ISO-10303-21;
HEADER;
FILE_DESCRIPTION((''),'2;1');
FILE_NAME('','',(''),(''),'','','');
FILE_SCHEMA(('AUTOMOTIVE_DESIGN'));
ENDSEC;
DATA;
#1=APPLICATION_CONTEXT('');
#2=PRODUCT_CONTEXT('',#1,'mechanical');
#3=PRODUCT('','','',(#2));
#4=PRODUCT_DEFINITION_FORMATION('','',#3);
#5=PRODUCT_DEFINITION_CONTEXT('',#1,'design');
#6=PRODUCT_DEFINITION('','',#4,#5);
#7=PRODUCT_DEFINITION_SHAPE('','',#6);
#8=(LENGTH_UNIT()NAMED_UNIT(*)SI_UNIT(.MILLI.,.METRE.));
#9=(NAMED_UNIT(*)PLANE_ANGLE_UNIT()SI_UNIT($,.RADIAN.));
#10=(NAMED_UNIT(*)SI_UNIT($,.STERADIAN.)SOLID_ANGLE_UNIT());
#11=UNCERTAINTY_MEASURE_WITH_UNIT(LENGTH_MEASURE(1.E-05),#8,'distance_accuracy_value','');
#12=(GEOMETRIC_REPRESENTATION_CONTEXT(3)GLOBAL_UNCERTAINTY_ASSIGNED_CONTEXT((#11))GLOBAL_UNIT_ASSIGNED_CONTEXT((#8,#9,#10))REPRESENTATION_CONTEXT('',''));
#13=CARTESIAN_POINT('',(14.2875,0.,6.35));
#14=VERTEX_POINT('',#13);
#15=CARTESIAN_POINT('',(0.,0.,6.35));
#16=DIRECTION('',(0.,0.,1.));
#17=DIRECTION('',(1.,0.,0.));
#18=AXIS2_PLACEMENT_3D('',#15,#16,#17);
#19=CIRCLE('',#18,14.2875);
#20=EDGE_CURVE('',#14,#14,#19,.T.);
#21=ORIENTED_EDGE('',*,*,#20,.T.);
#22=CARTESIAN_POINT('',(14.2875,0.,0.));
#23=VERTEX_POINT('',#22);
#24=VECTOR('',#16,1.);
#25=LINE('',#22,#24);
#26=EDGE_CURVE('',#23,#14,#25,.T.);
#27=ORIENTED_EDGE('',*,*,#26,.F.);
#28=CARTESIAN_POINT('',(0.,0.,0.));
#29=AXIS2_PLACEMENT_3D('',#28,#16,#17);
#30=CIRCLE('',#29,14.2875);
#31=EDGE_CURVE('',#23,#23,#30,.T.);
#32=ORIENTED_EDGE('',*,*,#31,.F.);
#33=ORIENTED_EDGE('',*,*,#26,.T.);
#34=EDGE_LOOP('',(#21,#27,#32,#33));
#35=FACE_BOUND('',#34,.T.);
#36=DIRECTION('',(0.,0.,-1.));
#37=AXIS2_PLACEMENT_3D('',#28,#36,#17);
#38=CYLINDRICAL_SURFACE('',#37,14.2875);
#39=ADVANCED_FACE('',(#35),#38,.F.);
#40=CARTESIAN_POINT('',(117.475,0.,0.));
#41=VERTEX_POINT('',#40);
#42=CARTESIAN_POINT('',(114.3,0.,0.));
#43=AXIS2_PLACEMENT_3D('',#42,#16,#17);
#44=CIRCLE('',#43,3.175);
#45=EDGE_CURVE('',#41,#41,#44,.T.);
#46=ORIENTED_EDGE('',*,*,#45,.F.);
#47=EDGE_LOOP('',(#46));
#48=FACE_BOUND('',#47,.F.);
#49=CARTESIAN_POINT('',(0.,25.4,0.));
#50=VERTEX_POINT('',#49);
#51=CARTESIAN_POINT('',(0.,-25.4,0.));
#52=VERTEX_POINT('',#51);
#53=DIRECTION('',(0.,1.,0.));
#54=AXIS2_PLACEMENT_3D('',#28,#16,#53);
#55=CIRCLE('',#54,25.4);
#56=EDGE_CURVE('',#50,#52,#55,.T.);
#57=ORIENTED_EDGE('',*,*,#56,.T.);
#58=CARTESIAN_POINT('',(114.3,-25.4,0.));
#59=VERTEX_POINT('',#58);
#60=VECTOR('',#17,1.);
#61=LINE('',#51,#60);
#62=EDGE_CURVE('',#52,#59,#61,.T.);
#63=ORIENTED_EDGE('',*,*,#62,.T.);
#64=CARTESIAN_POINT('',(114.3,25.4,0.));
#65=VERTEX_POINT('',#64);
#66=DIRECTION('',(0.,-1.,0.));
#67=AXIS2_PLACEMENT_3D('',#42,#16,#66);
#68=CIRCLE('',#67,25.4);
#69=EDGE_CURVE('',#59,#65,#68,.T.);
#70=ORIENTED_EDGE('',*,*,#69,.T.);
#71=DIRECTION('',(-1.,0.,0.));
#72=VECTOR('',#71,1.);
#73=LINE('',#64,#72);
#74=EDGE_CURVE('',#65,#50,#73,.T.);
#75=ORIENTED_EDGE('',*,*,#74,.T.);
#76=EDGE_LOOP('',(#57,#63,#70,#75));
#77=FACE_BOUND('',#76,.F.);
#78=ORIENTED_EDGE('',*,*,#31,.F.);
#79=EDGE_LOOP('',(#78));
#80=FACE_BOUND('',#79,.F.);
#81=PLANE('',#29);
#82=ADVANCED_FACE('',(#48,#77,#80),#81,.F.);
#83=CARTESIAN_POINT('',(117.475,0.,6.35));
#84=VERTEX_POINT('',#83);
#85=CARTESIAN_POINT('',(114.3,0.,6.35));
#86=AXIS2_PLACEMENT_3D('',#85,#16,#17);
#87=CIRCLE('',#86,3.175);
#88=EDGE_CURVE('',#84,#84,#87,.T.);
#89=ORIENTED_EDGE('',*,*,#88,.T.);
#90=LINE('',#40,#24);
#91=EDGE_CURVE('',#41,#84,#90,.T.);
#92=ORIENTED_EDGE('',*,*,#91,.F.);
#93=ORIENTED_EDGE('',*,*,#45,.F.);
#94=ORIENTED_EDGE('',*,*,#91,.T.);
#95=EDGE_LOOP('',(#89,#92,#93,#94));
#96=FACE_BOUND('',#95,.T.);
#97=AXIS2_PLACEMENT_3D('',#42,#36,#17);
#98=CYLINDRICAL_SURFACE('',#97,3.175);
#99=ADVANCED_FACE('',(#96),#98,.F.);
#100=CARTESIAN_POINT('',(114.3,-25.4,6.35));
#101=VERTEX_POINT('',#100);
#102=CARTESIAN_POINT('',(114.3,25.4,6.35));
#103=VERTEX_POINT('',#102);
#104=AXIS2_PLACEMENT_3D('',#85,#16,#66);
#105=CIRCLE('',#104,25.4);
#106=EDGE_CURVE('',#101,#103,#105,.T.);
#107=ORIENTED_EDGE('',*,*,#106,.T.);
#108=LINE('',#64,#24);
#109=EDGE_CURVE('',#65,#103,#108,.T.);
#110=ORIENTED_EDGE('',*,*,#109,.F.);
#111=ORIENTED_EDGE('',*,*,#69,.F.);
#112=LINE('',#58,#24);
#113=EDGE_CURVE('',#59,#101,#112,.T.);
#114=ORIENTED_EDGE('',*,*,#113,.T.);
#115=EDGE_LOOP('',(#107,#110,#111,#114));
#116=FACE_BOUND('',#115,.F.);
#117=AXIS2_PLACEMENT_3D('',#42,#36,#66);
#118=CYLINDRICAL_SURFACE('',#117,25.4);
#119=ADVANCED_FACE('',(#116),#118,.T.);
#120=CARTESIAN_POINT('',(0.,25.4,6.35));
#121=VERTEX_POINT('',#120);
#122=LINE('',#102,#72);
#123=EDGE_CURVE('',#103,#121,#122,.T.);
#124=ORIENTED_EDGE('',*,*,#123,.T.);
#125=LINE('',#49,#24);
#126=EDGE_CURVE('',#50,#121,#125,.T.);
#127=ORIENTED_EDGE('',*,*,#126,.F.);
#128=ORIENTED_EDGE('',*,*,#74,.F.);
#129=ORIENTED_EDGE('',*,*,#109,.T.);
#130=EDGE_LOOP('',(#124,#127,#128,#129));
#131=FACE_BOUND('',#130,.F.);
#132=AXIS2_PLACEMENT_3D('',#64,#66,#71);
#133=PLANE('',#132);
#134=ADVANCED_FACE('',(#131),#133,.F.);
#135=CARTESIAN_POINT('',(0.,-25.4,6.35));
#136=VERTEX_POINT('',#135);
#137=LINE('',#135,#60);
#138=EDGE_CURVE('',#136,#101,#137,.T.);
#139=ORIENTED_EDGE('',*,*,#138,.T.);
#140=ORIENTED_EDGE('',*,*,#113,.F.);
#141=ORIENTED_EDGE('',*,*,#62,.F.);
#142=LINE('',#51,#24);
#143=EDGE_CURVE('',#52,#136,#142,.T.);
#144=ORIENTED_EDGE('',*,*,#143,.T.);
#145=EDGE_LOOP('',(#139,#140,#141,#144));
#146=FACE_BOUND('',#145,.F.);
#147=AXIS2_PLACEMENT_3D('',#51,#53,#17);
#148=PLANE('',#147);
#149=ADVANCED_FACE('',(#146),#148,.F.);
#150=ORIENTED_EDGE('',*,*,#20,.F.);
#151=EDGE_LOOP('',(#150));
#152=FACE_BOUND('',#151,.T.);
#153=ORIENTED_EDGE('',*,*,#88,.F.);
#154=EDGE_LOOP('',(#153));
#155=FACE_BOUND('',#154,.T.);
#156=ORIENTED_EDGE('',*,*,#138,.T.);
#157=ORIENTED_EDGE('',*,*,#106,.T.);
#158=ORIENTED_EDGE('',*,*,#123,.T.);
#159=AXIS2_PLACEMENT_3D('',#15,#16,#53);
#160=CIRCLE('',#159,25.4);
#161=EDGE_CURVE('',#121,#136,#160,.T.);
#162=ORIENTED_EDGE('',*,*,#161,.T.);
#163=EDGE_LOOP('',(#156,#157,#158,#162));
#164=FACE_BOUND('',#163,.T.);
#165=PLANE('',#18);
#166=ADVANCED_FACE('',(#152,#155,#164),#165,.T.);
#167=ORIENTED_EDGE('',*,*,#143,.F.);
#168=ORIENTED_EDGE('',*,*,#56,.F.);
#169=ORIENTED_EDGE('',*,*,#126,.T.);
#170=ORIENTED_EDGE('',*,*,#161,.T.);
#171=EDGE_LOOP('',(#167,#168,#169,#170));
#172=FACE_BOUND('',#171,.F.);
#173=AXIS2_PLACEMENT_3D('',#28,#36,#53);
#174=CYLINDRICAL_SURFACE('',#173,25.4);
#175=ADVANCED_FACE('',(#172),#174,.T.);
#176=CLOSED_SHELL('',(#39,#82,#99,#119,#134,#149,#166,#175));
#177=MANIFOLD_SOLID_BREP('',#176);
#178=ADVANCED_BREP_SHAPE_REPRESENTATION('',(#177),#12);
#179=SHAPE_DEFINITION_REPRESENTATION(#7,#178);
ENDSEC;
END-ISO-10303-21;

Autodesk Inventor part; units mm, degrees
ref_plane "YZ Plane" through (0, 0, 0) normal (1, 0, 0) x (0, 1, 0)
ref_plane "XZ Plane" through (0, 0, 0) normal (0, 1, 0) x (-1, 0, 0)
ref_plane "XY Plane" through (0, 0, 0) normal (0, 0, 1) x (1, 0, 0)
sketch "Sketch1" plane through (0, 0, 0) normal (0, 0, 1) x (1, 0, 0)
  circle A0 centre (0, 0) radius 14.2875
  circle A1 centre (114.3, 0) radius 3.175
  line L0 (0, 0) -> (114.3, 0) construction
  line L1 (0, -25.4) -> (114.3, -25.4)
  line L2 (114.3, 25.4) -> (0, 25.4)
  arc A2 (0, 25.4) -> (0, -25.4) centre (0, 0) ccw
  arc A3 (114.3, -25.4) -> (114.3, 25.4) centre (114.3, 0) ccw
  point P0 (57.15, 0)
  dimension "d0" = 28.575
  dimension "d1" = 6.35
  dimension "d2" = 50.8
  dimension "d3" = 114.3
extrude "Extrusion1" add sketch "Sketch1" along normal blind 6.35
properties part number "GP4-005" material "Aluminum 6061"
